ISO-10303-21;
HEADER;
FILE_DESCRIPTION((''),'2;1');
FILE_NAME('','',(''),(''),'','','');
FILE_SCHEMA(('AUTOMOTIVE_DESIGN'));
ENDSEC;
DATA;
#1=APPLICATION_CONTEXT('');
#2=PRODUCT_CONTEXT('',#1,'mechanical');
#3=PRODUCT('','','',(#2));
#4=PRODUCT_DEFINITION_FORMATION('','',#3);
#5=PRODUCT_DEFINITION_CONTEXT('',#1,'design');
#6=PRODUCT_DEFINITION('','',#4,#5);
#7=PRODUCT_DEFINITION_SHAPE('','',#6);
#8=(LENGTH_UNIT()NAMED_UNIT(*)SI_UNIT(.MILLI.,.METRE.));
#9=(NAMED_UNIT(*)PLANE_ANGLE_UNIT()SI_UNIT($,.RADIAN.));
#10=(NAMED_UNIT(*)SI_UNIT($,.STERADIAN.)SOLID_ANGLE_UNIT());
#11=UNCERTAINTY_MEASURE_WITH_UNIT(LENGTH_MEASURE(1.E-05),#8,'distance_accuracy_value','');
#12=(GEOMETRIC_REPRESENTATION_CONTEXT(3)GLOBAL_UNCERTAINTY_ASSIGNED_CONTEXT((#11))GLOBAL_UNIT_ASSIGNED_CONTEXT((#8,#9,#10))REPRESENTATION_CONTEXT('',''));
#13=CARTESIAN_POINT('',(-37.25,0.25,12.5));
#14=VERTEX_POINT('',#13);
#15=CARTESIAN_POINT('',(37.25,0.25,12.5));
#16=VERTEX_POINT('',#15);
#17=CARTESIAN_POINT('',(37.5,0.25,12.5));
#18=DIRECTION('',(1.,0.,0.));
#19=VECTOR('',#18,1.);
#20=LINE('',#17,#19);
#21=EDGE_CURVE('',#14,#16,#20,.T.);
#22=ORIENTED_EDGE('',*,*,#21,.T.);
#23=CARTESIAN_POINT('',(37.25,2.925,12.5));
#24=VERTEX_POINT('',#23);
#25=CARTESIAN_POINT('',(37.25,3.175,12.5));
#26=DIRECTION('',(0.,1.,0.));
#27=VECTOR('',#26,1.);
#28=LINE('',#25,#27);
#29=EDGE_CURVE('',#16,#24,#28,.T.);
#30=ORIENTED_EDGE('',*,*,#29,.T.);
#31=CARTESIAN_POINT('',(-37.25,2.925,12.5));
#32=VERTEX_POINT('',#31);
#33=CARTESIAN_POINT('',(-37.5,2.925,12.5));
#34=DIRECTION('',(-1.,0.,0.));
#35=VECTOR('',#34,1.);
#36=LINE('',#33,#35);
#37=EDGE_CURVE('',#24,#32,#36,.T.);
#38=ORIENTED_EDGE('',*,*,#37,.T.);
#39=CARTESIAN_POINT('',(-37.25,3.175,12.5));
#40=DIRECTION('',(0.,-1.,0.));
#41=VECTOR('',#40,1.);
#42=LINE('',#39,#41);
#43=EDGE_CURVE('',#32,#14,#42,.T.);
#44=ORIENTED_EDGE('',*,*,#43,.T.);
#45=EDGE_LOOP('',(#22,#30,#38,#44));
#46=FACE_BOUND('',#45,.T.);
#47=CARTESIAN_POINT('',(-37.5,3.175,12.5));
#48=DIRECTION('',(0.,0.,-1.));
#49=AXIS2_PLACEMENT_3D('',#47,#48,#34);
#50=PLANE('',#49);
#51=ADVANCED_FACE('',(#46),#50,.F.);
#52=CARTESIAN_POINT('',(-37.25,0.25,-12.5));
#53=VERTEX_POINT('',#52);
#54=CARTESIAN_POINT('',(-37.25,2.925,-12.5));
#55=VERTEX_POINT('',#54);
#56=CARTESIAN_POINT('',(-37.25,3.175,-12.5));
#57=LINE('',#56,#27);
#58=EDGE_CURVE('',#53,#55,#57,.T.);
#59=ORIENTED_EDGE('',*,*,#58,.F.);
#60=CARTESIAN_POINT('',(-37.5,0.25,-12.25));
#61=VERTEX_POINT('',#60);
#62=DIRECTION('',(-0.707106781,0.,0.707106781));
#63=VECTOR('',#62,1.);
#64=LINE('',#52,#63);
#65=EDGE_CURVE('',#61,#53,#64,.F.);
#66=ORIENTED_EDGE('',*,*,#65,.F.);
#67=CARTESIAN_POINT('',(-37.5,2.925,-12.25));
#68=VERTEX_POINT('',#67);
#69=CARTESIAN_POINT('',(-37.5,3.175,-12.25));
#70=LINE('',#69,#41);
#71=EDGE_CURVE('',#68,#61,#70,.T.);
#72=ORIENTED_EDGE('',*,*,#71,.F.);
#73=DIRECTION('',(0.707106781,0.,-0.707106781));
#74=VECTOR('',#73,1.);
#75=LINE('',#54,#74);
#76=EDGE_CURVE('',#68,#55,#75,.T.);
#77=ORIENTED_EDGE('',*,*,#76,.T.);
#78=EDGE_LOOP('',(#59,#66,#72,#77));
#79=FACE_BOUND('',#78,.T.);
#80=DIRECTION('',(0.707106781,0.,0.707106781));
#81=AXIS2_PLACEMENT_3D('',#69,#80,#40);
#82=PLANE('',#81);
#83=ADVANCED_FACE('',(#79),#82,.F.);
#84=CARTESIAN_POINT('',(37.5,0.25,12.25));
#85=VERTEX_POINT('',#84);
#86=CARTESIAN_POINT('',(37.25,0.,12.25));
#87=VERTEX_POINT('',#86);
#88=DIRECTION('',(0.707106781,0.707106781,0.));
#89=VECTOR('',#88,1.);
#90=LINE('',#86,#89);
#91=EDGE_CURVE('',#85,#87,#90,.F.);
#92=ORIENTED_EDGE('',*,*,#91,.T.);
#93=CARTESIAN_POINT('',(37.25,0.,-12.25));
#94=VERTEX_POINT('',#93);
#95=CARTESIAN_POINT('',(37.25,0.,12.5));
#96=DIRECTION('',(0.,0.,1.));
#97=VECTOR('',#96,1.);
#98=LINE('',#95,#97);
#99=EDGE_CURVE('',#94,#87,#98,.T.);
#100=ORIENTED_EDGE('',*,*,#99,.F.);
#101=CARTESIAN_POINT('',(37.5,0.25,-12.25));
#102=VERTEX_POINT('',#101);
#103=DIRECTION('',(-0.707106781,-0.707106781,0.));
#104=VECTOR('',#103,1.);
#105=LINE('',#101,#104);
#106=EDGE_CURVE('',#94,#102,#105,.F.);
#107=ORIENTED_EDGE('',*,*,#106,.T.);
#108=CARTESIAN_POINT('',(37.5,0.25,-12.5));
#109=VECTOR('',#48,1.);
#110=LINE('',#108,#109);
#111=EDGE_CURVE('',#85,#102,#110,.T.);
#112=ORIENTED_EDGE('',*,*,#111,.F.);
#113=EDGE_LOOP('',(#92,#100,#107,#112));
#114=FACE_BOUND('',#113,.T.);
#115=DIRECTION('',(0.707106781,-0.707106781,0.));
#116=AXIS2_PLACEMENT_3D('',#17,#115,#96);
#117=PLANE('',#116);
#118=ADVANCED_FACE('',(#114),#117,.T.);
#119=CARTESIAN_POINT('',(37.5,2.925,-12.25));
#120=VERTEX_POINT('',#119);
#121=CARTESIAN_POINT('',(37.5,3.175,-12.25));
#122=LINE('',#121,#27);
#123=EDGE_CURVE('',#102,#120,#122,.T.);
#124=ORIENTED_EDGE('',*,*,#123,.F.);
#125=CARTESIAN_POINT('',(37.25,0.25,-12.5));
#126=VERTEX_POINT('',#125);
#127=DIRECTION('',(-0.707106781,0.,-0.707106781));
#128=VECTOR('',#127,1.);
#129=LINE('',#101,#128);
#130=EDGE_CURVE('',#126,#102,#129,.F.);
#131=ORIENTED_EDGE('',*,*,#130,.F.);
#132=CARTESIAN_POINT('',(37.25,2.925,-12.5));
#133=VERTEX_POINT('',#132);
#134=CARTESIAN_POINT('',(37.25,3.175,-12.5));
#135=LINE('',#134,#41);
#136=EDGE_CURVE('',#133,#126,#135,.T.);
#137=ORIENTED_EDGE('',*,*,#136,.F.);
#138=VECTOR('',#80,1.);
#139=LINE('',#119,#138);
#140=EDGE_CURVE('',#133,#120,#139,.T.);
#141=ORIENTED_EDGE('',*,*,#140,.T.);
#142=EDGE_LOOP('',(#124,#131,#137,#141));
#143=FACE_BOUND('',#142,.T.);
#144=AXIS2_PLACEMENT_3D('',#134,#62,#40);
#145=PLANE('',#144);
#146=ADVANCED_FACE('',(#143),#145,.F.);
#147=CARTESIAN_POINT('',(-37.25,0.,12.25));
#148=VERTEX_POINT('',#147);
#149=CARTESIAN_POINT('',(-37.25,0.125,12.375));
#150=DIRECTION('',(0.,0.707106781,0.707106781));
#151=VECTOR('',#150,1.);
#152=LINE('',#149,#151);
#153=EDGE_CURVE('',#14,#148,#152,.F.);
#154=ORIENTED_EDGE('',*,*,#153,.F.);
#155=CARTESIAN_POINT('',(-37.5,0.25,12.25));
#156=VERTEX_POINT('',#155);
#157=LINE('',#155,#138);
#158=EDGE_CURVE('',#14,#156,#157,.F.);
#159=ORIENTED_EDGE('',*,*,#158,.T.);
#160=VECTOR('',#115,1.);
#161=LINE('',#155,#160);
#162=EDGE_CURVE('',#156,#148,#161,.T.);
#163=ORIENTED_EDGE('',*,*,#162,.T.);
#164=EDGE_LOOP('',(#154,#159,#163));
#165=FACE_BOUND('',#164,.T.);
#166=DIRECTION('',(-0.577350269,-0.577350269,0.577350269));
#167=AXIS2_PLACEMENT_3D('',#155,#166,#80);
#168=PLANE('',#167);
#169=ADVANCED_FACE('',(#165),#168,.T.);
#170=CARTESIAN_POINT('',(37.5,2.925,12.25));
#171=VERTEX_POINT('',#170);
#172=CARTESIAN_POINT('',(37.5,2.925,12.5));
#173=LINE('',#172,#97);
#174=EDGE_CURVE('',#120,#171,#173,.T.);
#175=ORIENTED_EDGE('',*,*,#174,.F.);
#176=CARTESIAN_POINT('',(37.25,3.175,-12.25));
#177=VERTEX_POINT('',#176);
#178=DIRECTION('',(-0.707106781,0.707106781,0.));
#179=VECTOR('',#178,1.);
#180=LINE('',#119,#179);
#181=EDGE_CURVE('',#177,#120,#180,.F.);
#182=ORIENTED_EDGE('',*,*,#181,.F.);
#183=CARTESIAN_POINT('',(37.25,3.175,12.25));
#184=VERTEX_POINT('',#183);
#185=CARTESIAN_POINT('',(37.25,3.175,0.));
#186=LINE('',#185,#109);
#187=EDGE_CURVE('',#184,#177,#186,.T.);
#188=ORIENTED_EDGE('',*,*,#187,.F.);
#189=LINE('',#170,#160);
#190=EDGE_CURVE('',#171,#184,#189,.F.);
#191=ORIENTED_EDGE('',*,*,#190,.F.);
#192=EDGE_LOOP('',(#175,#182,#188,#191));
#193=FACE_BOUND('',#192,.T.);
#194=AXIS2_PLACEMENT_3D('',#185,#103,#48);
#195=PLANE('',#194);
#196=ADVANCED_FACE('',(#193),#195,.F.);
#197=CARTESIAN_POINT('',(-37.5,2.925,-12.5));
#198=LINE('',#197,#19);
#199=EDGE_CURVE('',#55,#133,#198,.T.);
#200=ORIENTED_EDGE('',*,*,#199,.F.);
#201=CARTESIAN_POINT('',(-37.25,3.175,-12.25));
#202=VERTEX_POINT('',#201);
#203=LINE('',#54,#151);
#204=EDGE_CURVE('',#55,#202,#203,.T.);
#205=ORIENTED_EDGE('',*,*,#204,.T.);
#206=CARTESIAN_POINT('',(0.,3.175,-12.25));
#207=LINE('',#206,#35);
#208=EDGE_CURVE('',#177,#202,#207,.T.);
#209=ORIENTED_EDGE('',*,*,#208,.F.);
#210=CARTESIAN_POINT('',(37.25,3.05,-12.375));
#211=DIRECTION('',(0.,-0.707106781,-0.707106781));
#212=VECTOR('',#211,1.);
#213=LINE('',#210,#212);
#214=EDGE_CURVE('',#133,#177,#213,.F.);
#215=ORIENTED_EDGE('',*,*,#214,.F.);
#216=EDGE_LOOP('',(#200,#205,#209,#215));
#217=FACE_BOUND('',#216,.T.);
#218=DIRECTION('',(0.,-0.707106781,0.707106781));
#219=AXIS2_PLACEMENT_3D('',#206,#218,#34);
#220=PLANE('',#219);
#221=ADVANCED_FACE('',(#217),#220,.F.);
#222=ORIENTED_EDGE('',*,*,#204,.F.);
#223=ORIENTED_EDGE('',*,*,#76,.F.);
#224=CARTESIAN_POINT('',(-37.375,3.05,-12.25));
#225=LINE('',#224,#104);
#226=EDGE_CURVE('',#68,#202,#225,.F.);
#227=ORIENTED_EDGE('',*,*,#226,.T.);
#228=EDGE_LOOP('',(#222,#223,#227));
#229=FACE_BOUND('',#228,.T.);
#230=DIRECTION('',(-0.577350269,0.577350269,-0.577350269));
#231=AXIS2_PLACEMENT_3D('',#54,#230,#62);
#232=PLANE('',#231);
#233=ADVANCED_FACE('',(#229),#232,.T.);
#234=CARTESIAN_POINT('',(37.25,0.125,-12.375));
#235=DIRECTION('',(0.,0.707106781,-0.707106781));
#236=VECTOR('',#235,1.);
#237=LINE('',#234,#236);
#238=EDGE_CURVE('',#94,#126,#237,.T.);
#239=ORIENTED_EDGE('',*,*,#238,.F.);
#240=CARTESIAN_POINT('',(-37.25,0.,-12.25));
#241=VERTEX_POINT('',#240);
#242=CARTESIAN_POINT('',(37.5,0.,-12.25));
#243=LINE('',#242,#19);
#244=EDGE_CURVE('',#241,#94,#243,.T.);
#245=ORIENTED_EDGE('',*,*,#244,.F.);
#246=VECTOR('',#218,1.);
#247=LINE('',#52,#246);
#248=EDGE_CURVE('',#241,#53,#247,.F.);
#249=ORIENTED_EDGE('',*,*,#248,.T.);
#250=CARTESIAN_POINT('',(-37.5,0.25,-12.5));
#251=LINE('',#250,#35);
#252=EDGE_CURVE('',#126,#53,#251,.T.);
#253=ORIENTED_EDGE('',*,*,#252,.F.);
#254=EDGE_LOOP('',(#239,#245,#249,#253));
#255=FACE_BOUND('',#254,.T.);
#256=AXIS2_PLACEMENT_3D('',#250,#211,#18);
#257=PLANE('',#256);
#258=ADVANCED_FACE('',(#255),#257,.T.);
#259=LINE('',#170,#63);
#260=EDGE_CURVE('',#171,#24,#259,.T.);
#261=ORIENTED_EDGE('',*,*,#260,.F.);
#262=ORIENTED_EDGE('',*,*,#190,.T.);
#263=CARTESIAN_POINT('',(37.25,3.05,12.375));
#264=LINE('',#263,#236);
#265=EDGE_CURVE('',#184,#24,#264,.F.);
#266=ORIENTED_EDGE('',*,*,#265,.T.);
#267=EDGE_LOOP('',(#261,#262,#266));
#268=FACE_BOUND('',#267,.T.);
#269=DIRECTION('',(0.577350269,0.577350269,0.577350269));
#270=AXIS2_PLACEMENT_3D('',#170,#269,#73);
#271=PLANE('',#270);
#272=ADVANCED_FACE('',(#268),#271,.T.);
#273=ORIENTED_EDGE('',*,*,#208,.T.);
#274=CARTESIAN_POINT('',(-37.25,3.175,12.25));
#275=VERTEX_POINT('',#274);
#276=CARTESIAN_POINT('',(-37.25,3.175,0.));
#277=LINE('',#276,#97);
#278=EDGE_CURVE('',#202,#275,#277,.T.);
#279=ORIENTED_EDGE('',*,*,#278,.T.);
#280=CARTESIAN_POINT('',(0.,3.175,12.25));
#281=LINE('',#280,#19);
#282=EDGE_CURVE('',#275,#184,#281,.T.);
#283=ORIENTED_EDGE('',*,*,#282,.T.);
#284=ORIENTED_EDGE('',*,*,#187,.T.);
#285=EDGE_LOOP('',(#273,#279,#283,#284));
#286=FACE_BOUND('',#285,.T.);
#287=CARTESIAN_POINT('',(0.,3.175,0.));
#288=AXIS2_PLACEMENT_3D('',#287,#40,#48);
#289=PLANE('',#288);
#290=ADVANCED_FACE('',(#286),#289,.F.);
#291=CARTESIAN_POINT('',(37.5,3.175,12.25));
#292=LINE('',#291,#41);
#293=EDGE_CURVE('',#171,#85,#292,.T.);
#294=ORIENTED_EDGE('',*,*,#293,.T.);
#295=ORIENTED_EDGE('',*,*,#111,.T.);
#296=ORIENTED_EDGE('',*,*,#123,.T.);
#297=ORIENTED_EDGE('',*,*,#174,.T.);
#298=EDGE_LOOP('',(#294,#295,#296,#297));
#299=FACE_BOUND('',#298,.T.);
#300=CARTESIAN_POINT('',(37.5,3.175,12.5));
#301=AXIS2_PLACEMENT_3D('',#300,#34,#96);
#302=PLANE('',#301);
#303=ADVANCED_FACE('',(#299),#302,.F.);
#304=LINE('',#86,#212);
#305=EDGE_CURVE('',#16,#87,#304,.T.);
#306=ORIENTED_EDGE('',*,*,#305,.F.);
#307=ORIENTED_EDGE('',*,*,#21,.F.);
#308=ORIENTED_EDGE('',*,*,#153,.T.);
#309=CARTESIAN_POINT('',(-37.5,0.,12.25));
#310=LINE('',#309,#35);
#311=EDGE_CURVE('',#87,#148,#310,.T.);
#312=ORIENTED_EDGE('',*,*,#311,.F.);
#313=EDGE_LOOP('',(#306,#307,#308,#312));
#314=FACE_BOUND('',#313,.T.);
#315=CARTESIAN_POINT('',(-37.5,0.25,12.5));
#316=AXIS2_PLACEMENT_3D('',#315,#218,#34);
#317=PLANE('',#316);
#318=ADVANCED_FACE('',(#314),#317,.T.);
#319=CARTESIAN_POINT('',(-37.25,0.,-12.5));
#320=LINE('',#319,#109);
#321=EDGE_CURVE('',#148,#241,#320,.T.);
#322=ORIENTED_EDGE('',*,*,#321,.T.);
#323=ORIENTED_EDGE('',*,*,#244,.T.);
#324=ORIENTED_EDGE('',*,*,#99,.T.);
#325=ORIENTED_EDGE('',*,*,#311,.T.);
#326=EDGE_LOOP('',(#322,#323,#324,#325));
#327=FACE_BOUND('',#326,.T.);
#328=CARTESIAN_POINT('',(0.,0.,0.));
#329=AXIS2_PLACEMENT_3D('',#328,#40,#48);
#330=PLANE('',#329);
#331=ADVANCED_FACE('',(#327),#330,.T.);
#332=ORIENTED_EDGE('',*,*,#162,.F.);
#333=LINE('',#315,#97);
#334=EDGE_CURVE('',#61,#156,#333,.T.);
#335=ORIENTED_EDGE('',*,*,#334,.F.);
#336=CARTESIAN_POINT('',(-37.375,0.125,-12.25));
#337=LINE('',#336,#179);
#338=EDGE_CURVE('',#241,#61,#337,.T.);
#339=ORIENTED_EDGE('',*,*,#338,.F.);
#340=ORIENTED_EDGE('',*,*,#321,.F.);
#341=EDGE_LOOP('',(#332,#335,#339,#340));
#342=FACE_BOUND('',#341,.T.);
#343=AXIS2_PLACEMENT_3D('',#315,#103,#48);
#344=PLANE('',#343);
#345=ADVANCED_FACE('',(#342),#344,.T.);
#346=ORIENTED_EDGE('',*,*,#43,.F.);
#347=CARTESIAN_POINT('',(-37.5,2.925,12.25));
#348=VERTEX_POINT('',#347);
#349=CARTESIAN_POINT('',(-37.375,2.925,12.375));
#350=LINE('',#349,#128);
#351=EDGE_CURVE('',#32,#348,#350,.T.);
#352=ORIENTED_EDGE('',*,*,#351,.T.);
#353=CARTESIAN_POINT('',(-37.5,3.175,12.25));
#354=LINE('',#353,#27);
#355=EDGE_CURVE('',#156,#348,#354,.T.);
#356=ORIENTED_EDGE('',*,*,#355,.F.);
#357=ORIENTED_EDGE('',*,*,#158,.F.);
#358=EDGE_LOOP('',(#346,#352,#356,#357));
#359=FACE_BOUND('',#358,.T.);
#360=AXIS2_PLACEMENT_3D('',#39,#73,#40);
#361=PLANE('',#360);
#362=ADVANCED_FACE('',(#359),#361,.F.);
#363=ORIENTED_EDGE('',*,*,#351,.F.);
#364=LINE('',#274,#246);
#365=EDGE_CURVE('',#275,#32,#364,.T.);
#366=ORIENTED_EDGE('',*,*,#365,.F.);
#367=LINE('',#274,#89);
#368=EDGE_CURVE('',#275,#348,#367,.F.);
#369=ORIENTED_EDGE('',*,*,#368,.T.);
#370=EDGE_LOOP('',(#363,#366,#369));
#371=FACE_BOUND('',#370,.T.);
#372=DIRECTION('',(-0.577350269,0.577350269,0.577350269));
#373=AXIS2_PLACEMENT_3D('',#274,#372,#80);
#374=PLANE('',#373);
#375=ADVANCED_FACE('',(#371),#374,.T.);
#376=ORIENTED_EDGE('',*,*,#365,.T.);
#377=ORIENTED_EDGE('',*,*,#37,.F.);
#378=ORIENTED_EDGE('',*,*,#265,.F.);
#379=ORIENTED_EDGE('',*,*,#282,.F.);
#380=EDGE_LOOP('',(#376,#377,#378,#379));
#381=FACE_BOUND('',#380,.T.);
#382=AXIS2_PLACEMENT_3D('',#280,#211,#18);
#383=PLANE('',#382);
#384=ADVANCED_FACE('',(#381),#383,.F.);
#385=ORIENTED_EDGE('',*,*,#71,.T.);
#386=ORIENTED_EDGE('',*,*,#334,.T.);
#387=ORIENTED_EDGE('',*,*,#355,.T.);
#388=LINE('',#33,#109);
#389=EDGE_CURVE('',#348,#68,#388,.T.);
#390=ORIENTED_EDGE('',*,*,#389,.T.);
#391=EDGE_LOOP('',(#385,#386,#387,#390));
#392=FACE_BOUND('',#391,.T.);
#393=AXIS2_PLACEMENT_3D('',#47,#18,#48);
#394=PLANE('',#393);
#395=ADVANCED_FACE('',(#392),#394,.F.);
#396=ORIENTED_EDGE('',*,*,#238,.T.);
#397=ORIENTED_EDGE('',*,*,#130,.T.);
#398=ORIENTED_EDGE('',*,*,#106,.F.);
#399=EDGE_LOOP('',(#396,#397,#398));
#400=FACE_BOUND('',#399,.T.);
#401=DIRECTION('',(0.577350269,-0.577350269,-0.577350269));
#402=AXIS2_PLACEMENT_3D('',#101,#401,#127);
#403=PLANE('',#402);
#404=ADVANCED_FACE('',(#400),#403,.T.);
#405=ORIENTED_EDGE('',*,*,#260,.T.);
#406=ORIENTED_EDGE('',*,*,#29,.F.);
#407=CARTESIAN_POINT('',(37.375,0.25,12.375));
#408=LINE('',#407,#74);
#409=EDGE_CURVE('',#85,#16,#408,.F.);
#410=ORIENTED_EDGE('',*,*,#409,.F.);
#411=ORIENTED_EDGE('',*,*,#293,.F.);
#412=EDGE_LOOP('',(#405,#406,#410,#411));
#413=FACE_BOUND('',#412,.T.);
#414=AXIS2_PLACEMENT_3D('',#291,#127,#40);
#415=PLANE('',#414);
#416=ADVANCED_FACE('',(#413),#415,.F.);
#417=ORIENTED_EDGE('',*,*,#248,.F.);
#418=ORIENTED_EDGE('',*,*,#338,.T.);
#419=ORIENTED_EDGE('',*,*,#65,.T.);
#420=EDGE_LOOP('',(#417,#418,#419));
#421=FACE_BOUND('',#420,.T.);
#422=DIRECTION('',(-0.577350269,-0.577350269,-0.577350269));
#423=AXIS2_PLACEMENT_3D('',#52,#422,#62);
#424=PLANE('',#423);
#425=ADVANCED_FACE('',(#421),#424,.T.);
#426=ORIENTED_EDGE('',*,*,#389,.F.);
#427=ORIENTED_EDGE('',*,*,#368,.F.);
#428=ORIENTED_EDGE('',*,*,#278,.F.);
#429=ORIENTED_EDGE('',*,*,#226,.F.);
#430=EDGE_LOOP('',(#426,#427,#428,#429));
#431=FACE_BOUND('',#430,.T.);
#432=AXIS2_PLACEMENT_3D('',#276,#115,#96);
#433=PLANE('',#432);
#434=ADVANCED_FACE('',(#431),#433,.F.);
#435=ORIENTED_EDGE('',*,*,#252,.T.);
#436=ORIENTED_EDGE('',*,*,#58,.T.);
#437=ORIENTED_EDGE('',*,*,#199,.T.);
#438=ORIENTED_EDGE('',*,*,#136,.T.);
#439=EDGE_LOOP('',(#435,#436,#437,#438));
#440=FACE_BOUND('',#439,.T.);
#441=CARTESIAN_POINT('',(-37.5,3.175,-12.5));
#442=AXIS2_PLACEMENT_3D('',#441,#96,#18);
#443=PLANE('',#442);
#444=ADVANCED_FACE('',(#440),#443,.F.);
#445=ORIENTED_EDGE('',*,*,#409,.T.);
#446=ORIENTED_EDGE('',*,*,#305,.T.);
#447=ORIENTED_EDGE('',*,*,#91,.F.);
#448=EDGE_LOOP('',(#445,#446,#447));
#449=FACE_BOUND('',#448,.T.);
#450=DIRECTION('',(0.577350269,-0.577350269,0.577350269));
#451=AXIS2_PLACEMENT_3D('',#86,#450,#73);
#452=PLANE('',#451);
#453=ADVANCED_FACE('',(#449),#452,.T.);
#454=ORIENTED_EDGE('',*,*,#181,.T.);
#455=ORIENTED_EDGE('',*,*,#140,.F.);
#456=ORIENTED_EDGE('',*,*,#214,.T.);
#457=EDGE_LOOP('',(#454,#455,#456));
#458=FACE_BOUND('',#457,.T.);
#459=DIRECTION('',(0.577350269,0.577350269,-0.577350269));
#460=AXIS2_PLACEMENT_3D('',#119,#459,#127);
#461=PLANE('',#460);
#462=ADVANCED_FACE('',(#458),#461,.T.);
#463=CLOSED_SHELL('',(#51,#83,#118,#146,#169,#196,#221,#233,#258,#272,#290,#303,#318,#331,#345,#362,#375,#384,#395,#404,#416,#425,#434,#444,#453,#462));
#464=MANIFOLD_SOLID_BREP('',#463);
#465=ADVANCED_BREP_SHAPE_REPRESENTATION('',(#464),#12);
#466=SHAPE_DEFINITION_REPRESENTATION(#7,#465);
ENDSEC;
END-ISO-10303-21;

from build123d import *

# Parameters (mm, degrees)
SKETCH1_W           = 75
SKETCH1_H           = 25
BOSS_EXTRUDE1_DEPTH = 3.175
CHAMFER1_SIZE       = 0.25


with BuildPart() as part:
    # Sketch1 → Boss-Extrude1 (new body)
    with BuildSketch(Plane(origin=(0, 0, 0), x_dir=(1, 0, 0), z_dir=(0, 1, 0))):
        Rectangle(SKETCH1_W, SKETCH1_H)
    extrude(amount=BOSS_EXTRUDE1_DEPTH)

    # Chamfer1
    chamfer1_edges = [part.edges().sort_by_distance(p)[0] for p in [
        (-37.5, 3.175, 0),
        (0, 3.175, 12.5),
        (37.5, 3.175, 0),
        (0, 0, 12.5),
        (-37.5, 0, 0),
        (0, 0, -12.5),
        (37.5, 0, 0),
        (37.5, 1.5875, 12.5),
        (-37.5, 1.5875, 12.5),
        (-37.5, 1.5875, -12.5),
        (37.5, 1.5875, -12.5),
        (0, 3.175, -12.5),
    ]]
    chamfer(chamfer1_edges, length=CHAMFER1_SIZE)


solid = part.part
